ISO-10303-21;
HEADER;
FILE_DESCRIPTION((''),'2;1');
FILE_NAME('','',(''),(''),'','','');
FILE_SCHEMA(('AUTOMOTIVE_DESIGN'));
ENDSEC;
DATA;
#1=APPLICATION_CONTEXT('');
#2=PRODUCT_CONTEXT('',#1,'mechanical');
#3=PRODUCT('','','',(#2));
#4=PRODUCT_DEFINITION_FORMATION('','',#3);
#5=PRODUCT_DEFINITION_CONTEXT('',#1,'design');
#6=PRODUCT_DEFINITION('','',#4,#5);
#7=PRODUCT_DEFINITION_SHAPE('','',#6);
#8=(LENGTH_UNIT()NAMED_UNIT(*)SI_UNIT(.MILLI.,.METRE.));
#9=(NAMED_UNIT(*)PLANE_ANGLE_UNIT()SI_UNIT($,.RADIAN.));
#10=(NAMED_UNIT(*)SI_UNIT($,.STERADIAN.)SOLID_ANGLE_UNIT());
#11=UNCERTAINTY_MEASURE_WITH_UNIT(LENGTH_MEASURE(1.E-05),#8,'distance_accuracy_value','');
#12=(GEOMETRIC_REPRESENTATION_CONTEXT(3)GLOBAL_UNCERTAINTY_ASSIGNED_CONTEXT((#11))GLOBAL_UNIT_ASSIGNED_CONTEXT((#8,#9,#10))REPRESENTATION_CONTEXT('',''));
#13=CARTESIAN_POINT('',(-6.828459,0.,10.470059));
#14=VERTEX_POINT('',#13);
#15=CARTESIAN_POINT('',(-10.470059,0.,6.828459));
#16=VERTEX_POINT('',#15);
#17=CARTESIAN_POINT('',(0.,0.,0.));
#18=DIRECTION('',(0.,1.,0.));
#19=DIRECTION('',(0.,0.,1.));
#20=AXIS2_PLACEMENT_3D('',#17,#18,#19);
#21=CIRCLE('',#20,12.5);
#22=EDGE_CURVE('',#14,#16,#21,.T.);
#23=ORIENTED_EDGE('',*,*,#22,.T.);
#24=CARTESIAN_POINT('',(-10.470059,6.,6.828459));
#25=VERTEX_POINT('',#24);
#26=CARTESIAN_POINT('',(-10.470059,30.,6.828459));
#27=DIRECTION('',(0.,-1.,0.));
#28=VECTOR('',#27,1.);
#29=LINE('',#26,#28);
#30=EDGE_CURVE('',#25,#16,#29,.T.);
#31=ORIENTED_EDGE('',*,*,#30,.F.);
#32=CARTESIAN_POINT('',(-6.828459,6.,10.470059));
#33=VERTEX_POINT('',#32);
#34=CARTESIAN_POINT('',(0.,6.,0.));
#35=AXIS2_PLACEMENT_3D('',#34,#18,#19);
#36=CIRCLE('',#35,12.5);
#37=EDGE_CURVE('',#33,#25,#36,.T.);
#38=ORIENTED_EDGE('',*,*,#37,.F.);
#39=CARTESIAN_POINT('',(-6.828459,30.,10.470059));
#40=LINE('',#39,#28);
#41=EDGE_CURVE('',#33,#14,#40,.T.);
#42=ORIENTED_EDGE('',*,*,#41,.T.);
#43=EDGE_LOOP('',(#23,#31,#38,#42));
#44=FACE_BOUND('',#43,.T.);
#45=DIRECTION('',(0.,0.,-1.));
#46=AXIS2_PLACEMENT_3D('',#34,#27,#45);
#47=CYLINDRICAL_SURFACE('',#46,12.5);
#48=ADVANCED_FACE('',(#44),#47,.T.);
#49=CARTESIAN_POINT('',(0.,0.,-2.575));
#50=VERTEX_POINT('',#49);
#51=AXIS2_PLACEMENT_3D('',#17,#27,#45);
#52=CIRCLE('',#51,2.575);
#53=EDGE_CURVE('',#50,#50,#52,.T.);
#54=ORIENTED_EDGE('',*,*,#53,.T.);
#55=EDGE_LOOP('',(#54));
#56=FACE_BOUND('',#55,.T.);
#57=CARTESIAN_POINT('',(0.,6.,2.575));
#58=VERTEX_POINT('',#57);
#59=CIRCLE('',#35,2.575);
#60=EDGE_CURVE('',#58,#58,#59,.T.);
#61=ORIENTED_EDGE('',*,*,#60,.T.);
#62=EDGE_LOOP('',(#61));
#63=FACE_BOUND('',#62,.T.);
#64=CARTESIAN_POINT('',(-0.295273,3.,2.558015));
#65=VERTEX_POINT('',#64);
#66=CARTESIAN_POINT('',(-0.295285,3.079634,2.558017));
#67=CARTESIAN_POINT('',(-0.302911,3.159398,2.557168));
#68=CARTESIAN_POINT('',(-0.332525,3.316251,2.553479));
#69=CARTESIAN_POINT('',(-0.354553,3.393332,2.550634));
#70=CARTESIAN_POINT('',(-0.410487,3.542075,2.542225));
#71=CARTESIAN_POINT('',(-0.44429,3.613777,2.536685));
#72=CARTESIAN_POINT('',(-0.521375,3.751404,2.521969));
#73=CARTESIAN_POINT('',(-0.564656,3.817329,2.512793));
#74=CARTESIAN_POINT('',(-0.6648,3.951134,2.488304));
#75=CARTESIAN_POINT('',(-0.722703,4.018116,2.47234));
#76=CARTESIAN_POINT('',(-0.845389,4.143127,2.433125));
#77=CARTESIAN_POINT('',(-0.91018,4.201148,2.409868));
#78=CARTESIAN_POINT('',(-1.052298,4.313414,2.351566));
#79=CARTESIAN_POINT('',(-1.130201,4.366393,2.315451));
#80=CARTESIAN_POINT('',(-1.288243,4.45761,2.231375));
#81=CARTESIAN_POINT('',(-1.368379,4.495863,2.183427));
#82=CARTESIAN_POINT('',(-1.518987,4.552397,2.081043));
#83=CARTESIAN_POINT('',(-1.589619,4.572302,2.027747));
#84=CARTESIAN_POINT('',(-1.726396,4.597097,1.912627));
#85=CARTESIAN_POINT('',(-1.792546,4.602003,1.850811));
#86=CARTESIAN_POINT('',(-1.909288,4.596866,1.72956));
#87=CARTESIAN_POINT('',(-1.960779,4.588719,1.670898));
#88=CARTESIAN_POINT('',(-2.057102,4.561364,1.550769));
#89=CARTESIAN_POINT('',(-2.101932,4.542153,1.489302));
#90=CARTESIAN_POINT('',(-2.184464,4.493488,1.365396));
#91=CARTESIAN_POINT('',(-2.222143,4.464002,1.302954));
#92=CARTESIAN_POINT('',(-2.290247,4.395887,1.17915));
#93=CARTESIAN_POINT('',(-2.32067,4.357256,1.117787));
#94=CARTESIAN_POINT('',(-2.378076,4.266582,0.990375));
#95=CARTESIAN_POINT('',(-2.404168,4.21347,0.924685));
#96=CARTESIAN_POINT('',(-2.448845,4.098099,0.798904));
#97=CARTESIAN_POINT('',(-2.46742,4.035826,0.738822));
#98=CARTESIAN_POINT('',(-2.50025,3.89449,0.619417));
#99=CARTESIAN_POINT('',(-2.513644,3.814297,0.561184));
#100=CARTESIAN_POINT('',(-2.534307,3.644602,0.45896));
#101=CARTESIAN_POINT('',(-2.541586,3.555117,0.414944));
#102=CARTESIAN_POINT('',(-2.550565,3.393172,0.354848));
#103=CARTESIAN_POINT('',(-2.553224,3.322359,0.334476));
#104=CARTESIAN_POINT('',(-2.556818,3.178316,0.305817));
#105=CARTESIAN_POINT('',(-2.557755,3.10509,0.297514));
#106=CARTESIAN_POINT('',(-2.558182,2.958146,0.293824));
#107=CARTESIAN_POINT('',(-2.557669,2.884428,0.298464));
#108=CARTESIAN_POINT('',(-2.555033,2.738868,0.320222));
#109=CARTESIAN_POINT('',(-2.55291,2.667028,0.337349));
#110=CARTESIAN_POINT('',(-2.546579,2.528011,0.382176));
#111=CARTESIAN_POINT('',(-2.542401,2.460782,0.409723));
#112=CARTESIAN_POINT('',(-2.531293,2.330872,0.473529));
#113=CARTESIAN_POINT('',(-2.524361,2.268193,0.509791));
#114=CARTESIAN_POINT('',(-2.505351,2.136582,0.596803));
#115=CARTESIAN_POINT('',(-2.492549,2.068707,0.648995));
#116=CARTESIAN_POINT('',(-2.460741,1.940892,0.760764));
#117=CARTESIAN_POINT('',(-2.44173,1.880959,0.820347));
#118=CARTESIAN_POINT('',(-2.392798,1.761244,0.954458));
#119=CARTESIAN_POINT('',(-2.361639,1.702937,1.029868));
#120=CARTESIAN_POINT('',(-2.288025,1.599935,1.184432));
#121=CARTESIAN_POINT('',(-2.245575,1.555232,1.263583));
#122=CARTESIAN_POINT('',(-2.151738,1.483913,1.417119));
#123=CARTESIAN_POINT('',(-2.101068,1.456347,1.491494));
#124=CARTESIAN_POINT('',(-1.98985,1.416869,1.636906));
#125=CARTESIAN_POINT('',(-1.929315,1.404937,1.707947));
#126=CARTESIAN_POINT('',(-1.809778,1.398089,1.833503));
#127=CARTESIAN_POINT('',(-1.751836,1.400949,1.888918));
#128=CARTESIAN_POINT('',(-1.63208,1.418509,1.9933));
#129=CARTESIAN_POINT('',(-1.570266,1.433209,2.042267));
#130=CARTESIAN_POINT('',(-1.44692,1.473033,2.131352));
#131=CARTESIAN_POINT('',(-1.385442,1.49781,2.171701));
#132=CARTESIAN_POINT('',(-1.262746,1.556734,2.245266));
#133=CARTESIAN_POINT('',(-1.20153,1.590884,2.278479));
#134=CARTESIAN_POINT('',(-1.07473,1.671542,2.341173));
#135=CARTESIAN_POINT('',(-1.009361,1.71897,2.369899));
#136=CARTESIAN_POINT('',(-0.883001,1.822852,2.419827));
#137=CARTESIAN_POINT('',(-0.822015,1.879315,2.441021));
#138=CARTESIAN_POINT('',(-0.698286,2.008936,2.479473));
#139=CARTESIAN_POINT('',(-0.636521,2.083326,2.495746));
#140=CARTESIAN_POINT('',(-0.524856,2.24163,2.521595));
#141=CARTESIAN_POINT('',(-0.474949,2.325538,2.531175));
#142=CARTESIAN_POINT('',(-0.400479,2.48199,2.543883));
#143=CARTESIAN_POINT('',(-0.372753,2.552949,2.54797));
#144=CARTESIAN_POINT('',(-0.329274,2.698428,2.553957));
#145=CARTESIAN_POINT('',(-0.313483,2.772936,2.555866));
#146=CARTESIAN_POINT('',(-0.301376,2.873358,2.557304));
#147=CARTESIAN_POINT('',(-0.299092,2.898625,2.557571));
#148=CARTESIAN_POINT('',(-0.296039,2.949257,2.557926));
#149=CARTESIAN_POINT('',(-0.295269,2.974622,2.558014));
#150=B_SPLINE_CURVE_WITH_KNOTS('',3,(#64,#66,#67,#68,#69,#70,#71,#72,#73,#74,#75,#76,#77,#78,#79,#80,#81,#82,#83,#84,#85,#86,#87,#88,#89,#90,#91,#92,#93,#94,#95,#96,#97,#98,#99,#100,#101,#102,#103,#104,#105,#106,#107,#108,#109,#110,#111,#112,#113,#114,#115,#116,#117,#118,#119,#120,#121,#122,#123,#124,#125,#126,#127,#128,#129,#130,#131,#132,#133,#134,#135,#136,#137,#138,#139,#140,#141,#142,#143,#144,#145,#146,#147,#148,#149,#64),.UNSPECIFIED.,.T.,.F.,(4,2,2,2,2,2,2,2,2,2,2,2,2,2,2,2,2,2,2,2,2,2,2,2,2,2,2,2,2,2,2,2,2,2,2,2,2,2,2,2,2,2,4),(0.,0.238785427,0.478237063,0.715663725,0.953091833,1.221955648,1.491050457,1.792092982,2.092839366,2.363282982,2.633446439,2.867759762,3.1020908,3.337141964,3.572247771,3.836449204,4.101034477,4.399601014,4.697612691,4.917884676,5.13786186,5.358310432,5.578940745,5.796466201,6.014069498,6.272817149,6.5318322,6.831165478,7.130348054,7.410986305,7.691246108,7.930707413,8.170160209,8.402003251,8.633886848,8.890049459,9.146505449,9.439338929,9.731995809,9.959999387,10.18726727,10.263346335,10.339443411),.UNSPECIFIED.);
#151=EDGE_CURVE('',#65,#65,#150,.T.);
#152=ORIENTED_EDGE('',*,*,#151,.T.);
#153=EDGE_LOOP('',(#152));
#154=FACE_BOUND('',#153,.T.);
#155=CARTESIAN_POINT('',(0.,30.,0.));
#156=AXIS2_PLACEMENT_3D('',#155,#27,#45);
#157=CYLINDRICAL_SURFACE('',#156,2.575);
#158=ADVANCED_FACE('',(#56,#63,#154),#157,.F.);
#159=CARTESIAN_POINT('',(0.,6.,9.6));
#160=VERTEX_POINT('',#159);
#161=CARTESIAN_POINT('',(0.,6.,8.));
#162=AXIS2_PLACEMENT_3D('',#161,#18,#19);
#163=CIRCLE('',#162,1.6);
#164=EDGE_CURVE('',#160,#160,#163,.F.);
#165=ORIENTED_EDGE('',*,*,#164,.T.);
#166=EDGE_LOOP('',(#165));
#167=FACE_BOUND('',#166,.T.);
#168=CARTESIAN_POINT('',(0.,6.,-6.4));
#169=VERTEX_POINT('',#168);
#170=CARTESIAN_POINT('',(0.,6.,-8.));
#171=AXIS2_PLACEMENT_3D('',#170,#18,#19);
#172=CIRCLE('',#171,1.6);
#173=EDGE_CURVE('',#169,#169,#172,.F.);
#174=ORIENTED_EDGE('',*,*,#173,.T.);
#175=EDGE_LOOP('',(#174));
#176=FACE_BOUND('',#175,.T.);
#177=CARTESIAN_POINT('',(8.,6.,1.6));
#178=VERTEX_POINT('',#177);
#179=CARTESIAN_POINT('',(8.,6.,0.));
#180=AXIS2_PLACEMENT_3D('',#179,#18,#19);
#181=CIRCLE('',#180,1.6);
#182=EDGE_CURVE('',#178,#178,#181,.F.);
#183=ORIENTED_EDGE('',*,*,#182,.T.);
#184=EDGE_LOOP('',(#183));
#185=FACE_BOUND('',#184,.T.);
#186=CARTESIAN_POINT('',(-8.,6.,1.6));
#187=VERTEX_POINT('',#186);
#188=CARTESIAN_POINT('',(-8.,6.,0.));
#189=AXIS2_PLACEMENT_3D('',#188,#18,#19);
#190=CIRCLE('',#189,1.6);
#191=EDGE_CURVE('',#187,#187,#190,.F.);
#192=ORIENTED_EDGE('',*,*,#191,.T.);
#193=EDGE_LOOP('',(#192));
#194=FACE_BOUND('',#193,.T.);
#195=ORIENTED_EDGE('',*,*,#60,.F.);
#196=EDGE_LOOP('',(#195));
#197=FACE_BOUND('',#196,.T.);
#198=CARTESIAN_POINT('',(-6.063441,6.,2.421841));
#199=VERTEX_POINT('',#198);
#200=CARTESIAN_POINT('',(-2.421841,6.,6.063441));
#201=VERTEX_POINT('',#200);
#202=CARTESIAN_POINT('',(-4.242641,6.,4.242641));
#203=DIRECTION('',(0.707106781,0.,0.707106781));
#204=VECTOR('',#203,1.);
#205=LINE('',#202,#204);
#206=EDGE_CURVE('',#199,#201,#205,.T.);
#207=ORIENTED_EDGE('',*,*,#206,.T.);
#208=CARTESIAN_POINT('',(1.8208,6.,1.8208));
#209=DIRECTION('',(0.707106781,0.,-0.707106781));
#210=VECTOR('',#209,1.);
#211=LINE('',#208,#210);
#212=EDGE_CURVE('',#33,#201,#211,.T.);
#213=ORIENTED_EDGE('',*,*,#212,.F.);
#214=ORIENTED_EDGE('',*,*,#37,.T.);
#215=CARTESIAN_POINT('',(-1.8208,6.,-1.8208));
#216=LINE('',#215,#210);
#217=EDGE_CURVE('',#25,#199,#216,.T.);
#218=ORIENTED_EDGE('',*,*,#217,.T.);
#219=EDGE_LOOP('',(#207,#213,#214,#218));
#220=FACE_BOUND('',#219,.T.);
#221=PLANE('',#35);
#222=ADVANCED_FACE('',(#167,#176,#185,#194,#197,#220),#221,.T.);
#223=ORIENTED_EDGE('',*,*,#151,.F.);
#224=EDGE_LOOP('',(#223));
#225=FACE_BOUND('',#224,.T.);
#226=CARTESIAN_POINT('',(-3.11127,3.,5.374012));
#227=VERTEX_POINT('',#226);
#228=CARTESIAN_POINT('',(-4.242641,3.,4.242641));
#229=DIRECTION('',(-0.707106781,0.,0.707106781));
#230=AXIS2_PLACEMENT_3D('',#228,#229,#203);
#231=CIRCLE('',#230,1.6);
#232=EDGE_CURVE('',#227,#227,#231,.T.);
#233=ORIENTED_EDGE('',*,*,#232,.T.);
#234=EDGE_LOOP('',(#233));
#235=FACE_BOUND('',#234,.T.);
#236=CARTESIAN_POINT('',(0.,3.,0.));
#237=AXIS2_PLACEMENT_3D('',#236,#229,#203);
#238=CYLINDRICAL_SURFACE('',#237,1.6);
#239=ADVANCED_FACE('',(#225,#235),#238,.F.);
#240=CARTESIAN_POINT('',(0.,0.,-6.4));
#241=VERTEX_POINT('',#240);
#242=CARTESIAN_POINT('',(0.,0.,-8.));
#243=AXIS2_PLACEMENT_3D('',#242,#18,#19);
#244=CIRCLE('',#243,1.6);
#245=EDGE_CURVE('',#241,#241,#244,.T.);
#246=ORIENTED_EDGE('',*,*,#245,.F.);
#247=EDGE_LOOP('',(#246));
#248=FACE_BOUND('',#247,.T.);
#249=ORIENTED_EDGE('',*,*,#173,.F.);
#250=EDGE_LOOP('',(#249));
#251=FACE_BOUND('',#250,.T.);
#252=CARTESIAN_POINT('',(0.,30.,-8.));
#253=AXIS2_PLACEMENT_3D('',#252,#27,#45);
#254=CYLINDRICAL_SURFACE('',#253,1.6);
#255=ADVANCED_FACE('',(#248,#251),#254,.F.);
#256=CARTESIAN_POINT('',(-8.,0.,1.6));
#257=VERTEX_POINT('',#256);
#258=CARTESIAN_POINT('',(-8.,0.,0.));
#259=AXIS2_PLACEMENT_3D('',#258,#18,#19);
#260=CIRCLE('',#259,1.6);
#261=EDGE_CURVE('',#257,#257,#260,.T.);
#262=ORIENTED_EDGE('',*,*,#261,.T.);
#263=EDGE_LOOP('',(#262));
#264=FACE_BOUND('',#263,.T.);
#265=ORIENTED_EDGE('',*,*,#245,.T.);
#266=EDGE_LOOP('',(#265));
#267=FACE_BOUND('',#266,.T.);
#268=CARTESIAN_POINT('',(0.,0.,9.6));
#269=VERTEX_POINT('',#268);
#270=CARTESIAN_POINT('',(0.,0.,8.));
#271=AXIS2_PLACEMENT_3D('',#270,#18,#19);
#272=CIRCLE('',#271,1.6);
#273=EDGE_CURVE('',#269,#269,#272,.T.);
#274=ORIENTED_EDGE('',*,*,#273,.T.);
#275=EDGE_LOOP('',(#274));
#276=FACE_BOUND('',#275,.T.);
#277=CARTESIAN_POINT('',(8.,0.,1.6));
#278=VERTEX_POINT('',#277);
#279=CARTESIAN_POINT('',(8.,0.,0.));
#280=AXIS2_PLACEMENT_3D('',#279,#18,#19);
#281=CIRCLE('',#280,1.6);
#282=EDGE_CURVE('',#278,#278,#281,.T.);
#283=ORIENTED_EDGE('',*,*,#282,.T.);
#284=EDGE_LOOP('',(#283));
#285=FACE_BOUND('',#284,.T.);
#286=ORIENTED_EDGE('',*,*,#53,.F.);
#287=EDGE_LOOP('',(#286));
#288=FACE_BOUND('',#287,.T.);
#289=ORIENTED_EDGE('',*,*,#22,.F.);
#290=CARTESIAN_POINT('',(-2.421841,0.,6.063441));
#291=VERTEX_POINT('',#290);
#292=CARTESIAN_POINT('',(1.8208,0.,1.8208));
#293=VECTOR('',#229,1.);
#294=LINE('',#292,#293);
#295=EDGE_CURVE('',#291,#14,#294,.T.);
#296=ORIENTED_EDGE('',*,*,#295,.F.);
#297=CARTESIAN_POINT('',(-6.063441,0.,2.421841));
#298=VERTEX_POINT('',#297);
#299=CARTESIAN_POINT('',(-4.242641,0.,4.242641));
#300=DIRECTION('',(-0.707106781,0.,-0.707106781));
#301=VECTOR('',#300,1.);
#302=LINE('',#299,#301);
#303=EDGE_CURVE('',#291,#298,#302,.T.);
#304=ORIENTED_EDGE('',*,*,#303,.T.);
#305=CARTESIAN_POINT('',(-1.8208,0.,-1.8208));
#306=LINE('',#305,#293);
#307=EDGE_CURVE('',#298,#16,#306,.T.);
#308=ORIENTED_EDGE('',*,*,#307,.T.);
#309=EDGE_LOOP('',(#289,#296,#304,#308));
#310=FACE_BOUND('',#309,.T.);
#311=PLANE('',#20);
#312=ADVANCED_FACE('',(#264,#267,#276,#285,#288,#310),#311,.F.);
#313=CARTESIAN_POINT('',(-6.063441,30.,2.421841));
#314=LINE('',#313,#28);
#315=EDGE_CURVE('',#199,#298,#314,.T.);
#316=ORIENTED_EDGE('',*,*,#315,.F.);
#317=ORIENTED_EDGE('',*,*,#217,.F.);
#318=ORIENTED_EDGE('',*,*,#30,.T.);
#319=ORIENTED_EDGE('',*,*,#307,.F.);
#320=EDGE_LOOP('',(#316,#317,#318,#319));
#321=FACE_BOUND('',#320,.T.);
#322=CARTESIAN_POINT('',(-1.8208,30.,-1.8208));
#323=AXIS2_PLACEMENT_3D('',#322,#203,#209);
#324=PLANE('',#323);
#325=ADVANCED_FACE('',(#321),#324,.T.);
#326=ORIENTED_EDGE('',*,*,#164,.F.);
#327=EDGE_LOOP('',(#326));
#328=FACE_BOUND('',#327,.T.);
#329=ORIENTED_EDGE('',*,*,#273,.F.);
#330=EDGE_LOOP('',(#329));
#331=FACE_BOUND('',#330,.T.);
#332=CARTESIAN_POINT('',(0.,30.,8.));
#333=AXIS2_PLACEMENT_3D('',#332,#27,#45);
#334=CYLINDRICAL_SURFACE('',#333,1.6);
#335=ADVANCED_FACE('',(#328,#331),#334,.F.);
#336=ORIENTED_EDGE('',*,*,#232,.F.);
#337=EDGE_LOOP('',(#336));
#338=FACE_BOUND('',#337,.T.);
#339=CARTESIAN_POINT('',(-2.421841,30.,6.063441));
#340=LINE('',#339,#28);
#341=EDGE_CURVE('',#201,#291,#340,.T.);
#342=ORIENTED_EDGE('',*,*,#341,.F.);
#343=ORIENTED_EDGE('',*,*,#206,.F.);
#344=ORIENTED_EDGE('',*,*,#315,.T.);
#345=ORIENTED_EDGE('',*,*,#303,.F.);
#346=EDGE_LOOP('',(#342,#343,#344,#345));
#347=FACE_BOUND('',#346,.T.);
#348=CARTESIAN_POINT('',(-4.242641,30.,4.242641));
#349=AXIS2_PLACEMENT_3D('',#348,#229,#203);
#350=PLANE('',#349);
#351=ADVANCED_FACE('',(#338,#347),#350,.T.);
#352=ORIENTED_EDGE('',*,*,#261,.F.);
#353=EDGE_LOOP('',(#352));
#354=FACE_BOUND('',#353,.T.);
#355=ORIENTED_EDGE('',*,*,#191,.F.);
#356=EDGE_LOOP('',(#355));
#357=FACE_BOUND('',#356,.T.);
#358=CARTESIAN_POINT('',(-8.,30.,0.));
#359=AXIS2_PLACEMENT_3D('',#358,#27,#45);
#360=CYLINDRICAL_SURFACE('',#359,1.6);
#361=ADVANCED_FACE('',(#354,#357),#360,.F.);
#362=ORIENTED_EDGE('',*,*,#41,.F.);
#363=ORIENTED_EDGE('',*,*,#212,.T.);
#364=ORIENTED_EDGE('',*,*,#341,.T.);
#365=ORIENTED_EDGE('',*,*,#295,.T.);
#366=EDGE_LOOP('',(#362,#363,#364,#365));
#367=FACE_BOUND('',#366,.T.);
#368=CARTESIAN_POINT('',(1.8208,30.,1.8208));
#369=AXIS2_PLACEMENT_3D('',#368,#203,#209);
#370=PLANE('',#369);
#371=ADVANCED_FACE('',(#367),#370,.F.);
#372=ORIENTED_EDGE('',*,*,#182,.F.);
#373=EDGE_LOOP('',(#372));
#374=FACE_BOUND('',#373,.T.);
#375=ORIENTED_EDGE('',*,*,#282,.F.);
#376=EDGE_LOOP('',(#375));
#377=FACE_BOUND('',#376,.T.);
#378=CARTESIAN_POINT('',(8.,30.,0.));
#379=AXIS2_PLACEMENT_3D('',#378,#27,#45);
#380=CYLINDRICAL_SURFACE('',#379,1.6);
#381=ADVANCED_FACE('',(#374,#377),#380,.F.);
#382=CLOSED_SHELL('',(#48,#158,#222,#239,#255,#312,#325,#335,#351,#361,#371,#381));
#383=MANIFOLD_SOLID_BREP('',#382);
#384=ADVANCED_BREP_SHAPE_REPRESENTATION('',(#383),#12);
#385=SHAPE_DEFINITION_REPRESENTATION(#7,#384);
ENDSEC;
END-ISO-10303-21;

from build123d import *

# Parameters (mm, degrees)
SKETCH_1_R          = 12.5
EXTRUDE_1_DEPTH     = 6
SKETCH_4_R          = 1.6
CUT_EXTRUDE_2_DEPTH = 30
CUT_EXTRUDE_3_DEPTH = 30
SKETCH_6_R          = 1.6
CUT_EXTRUDE_4_DEPTH = 6


with BuildPart() as part:
    # 草图1 → 凸台-拉伸1 (new body)
    with BuildSketch(Plane(origin=(0, 0, 0), x_dir=(1, 0, 0), z_dir=(0, 1, 0))):
        with Locations(Location((0, 0, 0), (0, 0, 270))):
            Circle(SKETCH_1_R)
    extrude(amount=EXTRUDE_1_DEPTH)

    # 草图4 → 切除-拉伸2 (cut)
    with BuildSketch(Plane(origin=(0, 0, 0), x_dir=(1, 0, 0), z_dir=(0, 1, 0))):
        with Locations(Location((0, 8, 0), (0, 0, 270))):
            Circle(SKETCH_4_R)
        with Locations(Location((8, 0, 0), (0, 0, 270))):
            Circle(SKETCH_4_R)
        with Locations(Location((0, -8, 0), (0, 0, 270))):
            Circle(SKETCH_4_R)
        with Locations(Location((-8, 0, 0), (0, 0, 270))):
            Circle(SKETCH_4_R)
    extrude(amount=CUT_EXTRUDE_2_DEPTH, mode=Mode.SUBTRACT)

    # 草图5 → 切除-拉伸3 (cut)
    with BuildSketch(Plane.XZ):
        with BuildLine():
            Line((-4.242640687, 4.242640687), (-8.838834765, 8.838834765))
            ThreePointArc((-8.838834765, 8.838834765), (-9.706634329, 7.875992001), (-10.470059323, 6.8284594))
            Line((-10.470059323, 6.8284594), (-6.063440649, 2.421840726))
            Line((-6.063440649, 2.421840726), (-4.242640687, 4.242640687))
        make_face()
        with BuildLine():
            ThreePointArc((-6.8284594, 10.470059323), (-7.875992001, 9.706634329), (-8.838834765, 8.838834765))
            Line((-8.838834765, 8.838834765), (-4.242640687, 4.242640687))
            Line((-4.242640687, 4.242640687), (-2.421840726, 6.063440649))
            Line((-2.421840726, 6.063440649), (-6.8284594, 10.470059323))
        make_face()
        with BuildLine():
            ThreePointArc((0, 2.575), (-0.985409838, 2.378989796), (-1.820799962, 1.820799962))
            Line((-1.820799962, 1.820799962), (0, 0))
            Line((0, 0), (0, 2.575))
        make_face()
        with BuildLine():
            Line((0, 0), (-1.820799962, 1.820799962))
            ThreePointArc((-1.820799962, 1.820799962), (-0.985409838, -2.378989796), (2.575, 0))
            ThreePointArc((2.575, 0), (1.820799962, 1.820799962), (0, 2.575))
            Line((0, 2.575), (0, 0))
        make_face()
    extrude(amount=-CUT_EXTRUDE_3_DEPTH, mode=Mode.SUBTRACT)

    # 草图6 → 切除-拉伸4 (cut)
    with BuildSketch(Plane(origin=(-4.242640687, 0, 4.242640687), x_dir=(0.7071067811865509, 0, 0.7071067811865442), z_dir=(-0.7071067811865442, 0, 0.7071067811865509))):
        with Locations((0, 3)):
            Circle(SKETCH_6_R)
    extrude(amount=-CUT_EXTRUDE_4_DEPTH, mode=Mode.SUBTRACT)


solid = part.part
